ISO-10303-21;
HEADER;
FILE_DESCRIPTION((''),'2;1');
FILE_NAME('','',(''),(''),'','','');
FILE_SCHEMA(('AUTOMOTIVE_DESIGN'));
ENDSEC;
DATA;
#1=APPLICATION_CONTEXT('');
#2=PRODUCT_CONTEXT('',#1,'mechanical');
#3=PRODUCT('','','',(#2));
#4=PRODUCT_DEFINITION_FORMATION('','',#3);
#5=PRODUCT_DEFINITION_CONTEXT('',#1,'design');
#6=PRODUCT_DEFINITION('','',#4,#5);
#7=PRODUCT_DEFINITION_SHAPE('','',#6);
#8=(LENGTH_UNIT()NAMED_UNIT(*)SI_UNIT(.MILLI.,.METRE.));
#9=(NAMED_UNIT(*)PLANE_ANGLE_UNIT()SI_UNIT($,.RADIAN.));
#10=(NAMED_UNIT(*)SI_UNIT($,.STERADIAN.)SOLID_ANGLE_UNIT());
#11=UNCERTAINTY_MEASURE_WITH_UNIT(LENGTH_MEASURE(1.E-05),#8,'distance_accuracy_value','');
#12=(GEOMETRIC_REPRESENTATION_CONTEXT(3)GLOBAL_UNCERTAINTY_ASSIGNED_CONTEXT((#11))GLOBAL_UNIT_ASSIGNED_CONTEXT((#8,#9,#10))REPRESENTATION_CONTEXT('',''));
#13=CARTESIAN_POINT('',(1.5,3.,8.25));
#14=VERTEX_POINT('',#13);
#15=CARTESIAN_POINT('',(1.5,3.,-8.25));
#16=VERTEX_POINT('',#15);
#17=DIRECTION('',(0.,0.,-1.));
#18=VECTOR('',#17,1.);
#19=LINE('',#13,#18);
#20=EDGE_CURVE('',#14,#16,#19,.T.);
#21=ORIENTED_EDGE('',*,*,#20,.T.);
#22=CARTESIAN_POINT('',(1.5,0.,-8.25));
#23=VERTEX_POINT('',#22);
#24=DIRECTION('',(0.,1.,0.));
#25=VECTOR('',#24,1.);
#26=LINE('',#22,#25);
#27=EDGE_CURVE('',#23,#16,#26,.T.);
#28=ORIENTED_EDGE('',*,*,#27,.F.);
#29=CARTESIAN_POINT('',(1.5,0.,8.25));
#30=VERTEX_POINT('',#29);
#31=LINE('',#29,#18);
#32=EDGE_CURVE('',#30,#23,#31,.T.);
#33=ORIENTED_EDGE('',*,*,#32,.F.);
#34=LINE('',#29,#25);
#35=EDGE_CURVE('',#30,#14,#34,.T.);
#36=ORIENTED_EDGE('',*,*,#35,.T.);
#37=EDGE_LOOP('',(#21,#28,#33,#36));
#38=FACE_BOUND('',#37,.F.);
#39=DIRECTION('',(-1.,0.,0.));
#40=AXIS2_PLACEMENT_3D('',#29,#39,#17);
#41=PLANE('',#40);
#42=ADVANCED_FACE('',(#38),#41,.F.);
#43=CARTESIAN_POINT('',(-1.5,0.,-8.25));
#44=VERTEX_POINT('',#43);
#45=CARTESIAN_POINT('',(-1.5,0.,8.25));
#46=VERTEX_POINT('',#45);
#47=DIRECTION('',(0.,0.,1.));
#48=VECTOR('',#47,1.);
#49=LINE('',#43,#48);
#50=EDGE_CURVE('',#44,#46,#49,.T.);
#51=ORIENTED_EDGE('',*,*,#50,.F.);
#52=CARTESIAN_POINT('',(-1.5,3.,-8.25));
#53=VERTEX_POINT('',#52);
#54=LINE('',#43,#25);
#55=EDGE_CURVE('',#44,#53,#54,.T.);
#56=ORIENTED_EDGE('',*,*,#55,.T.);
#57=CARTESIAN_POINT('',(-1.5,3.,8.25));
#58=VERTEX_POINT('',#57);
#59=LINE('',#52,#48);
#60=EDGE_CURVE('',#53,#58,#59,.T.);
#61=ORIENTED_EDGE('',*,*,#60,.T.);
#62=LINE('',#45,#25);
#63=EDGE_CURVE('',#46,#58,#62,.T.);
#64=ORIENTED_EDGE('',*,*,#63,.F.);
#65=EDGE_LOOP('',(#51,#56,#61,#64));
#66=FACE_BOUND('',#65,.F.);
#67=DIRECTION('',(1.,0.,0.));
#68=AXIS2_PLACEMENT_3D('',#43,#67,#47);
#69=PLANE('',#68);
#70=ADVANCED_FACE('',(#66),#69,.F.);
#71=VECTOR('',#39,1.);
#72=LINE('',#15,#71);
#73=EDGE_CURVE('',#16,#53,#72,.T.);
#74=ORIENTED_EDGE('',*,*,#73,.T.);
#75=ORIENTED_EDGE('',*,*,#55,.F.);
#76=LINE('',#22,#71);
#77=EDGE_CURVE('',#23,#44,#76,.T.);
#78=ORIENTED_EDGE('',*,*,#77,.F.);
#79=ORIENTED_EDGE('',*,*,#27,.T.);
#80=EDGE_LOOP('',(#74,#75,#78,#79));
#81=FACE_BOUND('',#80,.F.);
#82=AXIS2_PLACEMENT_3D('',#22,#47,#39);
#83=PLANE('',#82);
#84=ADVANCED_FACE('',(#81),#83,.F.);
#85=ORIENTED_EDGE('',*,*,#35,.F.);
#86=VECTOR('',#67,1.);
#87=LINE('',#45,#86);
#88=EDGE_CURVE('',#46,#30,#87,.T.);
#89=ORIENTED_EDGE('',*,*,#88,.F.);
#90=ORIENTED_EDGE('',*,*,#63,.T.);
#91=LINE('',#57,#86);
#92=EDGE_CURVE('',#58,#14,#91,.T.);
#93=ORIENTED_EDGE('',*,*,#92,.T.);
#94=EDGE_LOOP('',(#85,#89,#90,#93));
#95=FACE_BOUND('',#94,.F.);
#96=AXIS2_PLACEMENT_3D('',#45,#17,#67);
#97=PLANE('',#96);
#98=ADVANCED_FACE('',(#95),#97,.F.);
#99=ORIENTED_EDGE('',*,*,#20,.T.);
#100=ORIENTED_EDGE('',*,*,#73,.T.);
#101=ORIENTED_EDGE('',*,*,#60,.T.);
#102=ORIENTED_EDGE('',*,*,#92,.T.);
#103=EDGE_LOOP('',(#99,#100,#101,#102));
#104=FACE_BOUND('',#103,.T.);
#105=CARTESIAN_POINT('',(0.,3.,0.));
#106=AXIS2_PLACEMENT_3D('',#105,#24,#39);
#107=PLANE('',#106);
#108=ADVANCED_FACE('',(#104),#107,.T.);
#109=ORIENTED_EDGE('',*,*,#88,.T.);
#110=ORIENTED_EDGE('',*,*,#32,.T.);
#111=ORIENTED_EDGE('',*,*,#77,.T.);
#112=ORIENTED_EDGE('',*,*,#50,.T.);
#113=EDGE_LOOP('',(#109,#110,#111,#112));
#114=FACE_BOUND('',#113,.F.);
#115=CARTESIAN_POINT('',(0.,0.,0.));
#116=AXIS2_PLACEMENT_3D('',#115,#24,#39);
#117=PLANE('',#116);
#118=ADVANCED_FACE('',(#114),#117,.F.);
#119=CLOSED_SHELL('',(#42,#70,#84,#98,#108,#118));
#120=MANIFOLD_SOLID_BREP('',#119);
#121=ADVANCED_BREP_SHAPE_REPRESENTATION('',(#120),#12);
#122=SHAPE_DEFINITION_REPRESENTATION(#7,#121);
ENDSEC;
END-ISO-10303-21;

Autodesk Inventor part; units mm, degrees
ref_plane "YZ Plane" through (0, 0, 0) normal (1, 0, 0) x (0, 1, 0)
ref_plane "XZ Plane" through (0, 0, 0) normal (0, 1, 0) x (-1, 0, 0)
ref_plane "XY Plane" through (0, 0, 0) normal (0, 0, 1) x (1, 0, 0)
sketch "Boceto1" plane through (0, 0, 0) normal (0, 1, 0) x (-1, 0, 0)
  line L0 (1.5, 8.25) -> (-1.5, 8.25)
  line L1 (-1.5, 8.25) -> (-1.5, -8.25)
  line L2 (-1.5, -8.25) -> (1.5, -8.25)
  line L3 (1.5, -8.25) -> (1.5, 8.25)
  line L4 (1.5, 8.25) -> (-1.5, -8.25) construction
  line L5 (-1.5, 8.25) -> (1.5, -8.25) construction
  point P0 (0, 0)
  dimension "d0" = 3
  dimension "d1" = 16.5
extrude "Extrusión1" add sketch "Boceto1" along normal blind 3
properties part number "camera-back-support"
